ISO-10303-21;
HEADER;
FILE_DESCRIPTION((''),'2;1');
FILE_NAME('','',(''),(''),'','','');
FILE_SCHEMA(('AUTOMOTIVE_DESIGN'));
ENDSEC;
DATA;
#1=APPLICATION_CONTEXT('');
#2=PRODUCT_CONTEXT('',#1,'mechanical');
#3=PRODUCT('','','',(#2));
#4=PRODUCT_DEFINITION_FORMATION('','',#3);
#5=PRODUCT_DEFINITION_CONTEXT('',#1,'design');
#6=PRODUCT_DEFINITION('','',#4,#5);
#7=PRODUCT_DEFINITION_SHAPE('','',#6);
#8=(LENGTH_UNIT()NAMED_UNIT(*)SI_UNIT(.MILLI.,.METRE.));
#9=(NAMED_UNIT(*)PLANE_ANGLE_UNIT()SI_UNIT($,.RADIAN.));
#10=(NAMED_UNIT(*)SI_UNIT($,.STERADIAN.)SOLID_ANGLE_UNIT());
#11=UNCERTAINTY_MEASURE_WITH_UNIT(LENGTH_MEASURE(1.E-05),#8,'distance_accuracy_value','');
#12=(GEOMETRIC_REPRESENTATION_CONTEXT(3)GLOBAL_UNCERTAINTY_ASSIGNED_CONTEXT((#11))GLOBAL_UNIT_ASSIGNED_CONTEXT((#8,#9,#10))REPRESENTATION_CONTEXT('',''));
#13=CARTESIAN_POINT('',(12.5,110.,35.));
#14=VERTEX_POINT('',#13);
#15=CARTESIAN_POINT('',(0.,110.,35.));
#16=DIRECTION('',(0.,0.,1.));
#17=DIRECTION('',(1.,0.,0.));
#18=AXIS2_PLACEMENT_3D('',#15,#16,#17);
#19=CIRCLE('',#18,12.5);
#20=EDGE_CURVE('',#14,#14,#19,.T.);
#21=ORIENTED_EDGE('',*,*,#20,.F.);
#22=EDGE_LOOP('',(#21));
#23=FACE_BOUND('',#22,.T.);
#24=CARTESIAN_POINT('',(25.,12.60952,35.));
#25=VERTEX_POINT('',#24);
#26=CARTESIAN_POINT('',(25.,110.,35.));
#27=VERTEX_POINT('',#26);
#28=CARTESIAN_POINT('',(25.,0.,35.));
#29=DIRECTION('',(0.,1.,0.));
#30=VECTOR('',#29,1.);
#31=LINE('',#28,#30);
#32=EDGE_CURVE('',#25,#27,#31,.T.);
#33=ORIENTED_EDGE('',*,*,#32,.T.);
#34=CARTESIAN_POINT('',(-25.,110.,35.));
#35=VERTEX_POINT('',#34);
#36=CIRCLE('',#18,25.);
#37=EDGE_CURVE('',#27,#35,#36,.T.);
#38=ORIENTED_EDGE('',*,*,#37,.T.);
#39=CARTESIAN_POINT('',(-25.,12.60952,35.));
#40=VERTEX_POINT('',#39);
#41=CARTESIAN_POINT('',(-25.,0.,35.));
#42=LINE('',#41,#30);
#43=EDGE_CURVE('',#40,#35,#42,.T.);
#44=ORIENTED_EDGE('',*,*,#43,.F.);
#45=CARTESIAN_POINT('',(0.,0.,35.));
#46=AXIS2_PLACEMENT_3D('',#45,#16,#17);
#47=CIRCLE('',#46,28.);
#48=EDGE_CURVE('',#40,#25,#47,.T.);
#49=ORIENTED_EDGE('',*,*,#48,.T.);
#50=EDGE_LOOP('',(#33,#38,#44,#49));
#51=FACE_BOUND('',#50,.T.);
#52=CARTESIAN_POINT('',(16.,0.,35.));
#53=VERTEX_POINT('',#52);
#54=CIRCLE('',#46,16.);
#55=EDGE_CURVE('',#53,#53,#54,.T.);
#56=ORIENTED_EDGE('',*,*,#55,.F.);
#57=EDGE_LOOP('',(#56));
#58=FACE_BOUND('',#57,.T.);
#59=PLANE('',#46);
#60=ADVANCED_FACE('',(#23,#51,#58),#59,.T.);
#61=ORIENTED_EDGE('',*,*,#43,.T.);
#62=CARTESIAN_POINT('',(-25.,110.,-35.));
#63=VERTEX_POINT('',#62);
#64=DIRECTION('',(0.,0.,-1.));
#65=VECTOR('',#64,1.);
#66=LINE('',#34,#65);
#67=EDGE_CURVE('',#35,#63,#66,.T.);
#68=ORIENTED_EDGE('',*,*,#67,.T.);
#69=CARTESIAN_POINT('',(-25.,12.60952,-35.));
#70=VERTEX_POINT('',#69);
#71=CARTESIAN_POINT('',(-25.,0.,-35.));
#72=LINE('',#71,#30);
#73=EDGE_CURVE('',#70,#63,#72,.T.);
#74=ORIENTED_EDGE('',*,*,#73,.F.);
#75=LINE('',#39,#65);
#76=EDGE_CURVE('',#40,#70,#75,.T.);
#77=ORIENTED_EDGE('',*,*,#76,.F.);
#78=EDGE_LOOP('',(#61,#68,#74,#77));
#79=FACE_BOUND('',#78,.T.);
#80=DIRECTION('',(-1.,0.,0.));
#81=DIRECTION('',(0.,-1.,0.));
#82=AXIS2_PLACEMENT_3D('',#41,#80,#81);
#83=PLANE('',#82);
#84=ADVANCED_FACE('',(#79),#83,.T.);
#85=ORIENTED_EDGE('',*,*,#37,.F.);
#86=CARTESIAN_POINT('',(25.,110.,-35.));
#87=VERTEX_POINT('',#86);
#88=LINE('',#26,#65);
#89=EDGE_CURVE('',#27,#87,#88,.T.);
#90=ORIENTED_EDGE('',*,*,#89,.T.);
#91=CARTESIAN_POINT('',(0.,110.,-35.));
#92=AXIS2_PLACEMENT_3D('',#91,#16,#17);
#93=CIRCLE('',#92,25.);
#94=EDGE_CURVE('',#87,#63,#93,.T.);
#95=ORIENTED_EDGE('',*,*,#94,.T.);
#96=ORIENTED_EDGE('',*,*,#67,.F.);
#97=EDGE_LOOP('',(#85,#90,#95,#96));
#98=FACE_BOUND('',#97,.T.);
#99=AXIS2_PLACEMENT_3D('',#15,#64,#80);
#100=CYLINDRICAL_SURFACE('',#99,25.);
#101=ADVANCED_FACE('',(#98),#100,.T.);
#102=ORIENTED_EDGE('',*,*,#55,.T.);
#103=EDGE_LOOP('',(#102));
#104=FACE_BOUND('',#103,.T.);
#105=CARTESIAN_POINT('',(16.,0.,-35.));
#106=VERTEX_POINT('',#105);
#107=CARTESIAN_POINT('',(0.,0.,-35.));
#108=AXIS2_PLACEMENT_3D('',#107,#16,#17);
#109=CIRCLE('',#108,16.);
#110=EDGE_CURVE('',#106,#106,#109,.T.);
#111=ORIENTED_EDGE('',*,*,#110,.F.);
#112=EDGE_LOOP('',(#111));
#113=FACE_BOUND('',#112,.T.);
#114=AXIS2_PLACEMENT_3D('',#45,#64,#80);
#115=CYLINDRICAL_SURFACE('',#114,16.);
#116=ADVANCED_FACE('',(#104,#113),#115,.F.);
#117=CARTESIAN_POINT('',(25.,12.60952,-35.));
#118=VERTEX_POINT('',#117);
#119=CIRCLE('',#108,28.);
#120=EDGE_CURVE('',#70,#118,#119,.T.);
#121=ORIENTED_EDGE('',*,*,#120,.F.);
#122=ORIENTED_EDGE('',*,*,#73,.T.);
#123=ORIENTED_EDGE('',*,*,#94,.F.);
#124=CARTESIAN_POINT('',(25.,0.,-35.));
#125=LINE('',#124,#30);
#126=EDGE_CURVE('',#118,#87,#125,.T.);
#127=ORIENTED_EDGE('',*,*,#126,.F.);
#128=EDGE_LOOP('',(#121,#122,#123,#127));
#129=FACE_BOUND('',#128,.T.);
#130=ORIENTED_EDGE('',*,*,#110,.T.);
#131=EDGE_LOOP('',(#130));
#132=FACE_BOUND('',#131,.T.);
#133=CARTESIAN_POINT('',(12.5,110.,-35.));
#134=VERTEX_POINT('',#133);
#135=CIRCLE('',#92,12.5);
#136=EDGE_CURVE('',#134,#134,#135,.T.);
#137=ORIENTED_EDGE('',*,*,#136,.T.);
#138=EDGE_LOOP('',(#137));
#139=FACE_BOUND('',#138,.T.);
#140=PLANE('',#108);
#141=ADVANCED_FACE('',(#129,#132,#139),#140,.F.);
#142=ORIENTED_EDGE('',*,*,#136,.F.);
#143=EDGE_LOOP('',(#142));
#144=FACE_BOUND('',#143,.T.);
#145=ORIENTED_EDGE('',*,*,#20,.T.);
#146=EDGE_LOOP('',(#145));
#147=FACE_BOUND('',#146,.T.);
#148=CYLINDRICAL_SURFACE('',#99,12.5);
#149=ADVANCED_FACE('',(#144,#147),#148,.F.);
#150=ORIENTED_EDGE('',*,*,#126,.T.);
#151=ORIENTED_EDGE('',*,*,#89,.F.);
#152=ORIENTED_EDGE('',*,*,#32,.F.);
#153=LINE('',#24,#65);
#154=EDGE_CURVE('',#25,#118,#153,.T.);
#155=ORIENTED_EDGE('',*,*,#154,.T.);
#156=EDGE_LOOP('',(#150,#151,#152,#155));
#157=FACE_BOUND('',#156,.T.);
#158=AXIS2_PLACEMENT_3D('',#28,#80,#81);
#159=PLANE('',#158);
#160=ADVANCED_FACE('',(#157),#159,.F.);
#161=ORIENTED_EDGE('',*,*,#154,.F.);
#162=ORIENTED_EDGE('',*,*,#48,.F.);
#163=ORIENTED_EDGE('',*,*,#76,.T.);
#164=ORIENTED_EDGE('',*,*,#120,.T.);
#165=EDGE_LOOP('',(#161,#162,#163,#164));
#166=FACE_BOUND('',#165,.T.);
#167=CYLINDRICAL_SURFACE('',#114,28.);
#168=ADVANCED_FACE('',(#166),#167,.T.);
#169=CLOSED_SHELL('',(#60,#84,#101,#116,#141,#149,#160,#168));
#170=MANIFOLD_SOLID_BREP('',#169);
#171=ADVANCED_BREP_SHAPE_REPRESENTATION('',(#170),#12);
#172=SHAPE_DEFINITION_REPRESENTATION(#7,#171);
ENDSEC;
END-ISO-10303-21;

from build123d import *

# Parameters (mm, degrees)
SKETCH1_R           = 25
SKETCH1_R_2         = 12.5
SKETCH1_R_3         = 28
SKETCH1_R_4         = 16
BOSS_EXTRUDE1_DEPTH = 35


with BuildPart() as part:
    # Sketch1 → Boss-Extrude1 (new, symmetric)
    # profile 1 of 3: a face of its own
    with BuildSketch(Plane.XY):
        with BuildLine():
            ThreePointArc((-25, 12.609520213), (0, 28), (25, 12.609520213))
            Line((25, 12.609520213), (25, 110))
            ThreePointArc((25, 110), (0, 85), (-25, 110))
            Line((-25, 110), (-25, 92))
            Line((-25, 92), (-25, 12.609520213))
        make_face()
    # profile 2 of 3: a face of its own
    with BuildSketch(Plane.XY):
        with Locations((0, 110)):
            Circle(SKETCH1_R)
        with Locations((0, 110)):
            Circle(SKETCH1_R_2, mode=Mode.SUBTRACT)
    # profile 3 of 3: a face of its own
    with BuildSketch(Plane.XY):
        Circle(SKETCH1_R_3)
        Circle(SKETCH1_R_4, mode=Mode.SUBTRACT)
    extrude(amount=BOSS_EXTRUDE1_DEPTH, both=True)


solid = part.part
